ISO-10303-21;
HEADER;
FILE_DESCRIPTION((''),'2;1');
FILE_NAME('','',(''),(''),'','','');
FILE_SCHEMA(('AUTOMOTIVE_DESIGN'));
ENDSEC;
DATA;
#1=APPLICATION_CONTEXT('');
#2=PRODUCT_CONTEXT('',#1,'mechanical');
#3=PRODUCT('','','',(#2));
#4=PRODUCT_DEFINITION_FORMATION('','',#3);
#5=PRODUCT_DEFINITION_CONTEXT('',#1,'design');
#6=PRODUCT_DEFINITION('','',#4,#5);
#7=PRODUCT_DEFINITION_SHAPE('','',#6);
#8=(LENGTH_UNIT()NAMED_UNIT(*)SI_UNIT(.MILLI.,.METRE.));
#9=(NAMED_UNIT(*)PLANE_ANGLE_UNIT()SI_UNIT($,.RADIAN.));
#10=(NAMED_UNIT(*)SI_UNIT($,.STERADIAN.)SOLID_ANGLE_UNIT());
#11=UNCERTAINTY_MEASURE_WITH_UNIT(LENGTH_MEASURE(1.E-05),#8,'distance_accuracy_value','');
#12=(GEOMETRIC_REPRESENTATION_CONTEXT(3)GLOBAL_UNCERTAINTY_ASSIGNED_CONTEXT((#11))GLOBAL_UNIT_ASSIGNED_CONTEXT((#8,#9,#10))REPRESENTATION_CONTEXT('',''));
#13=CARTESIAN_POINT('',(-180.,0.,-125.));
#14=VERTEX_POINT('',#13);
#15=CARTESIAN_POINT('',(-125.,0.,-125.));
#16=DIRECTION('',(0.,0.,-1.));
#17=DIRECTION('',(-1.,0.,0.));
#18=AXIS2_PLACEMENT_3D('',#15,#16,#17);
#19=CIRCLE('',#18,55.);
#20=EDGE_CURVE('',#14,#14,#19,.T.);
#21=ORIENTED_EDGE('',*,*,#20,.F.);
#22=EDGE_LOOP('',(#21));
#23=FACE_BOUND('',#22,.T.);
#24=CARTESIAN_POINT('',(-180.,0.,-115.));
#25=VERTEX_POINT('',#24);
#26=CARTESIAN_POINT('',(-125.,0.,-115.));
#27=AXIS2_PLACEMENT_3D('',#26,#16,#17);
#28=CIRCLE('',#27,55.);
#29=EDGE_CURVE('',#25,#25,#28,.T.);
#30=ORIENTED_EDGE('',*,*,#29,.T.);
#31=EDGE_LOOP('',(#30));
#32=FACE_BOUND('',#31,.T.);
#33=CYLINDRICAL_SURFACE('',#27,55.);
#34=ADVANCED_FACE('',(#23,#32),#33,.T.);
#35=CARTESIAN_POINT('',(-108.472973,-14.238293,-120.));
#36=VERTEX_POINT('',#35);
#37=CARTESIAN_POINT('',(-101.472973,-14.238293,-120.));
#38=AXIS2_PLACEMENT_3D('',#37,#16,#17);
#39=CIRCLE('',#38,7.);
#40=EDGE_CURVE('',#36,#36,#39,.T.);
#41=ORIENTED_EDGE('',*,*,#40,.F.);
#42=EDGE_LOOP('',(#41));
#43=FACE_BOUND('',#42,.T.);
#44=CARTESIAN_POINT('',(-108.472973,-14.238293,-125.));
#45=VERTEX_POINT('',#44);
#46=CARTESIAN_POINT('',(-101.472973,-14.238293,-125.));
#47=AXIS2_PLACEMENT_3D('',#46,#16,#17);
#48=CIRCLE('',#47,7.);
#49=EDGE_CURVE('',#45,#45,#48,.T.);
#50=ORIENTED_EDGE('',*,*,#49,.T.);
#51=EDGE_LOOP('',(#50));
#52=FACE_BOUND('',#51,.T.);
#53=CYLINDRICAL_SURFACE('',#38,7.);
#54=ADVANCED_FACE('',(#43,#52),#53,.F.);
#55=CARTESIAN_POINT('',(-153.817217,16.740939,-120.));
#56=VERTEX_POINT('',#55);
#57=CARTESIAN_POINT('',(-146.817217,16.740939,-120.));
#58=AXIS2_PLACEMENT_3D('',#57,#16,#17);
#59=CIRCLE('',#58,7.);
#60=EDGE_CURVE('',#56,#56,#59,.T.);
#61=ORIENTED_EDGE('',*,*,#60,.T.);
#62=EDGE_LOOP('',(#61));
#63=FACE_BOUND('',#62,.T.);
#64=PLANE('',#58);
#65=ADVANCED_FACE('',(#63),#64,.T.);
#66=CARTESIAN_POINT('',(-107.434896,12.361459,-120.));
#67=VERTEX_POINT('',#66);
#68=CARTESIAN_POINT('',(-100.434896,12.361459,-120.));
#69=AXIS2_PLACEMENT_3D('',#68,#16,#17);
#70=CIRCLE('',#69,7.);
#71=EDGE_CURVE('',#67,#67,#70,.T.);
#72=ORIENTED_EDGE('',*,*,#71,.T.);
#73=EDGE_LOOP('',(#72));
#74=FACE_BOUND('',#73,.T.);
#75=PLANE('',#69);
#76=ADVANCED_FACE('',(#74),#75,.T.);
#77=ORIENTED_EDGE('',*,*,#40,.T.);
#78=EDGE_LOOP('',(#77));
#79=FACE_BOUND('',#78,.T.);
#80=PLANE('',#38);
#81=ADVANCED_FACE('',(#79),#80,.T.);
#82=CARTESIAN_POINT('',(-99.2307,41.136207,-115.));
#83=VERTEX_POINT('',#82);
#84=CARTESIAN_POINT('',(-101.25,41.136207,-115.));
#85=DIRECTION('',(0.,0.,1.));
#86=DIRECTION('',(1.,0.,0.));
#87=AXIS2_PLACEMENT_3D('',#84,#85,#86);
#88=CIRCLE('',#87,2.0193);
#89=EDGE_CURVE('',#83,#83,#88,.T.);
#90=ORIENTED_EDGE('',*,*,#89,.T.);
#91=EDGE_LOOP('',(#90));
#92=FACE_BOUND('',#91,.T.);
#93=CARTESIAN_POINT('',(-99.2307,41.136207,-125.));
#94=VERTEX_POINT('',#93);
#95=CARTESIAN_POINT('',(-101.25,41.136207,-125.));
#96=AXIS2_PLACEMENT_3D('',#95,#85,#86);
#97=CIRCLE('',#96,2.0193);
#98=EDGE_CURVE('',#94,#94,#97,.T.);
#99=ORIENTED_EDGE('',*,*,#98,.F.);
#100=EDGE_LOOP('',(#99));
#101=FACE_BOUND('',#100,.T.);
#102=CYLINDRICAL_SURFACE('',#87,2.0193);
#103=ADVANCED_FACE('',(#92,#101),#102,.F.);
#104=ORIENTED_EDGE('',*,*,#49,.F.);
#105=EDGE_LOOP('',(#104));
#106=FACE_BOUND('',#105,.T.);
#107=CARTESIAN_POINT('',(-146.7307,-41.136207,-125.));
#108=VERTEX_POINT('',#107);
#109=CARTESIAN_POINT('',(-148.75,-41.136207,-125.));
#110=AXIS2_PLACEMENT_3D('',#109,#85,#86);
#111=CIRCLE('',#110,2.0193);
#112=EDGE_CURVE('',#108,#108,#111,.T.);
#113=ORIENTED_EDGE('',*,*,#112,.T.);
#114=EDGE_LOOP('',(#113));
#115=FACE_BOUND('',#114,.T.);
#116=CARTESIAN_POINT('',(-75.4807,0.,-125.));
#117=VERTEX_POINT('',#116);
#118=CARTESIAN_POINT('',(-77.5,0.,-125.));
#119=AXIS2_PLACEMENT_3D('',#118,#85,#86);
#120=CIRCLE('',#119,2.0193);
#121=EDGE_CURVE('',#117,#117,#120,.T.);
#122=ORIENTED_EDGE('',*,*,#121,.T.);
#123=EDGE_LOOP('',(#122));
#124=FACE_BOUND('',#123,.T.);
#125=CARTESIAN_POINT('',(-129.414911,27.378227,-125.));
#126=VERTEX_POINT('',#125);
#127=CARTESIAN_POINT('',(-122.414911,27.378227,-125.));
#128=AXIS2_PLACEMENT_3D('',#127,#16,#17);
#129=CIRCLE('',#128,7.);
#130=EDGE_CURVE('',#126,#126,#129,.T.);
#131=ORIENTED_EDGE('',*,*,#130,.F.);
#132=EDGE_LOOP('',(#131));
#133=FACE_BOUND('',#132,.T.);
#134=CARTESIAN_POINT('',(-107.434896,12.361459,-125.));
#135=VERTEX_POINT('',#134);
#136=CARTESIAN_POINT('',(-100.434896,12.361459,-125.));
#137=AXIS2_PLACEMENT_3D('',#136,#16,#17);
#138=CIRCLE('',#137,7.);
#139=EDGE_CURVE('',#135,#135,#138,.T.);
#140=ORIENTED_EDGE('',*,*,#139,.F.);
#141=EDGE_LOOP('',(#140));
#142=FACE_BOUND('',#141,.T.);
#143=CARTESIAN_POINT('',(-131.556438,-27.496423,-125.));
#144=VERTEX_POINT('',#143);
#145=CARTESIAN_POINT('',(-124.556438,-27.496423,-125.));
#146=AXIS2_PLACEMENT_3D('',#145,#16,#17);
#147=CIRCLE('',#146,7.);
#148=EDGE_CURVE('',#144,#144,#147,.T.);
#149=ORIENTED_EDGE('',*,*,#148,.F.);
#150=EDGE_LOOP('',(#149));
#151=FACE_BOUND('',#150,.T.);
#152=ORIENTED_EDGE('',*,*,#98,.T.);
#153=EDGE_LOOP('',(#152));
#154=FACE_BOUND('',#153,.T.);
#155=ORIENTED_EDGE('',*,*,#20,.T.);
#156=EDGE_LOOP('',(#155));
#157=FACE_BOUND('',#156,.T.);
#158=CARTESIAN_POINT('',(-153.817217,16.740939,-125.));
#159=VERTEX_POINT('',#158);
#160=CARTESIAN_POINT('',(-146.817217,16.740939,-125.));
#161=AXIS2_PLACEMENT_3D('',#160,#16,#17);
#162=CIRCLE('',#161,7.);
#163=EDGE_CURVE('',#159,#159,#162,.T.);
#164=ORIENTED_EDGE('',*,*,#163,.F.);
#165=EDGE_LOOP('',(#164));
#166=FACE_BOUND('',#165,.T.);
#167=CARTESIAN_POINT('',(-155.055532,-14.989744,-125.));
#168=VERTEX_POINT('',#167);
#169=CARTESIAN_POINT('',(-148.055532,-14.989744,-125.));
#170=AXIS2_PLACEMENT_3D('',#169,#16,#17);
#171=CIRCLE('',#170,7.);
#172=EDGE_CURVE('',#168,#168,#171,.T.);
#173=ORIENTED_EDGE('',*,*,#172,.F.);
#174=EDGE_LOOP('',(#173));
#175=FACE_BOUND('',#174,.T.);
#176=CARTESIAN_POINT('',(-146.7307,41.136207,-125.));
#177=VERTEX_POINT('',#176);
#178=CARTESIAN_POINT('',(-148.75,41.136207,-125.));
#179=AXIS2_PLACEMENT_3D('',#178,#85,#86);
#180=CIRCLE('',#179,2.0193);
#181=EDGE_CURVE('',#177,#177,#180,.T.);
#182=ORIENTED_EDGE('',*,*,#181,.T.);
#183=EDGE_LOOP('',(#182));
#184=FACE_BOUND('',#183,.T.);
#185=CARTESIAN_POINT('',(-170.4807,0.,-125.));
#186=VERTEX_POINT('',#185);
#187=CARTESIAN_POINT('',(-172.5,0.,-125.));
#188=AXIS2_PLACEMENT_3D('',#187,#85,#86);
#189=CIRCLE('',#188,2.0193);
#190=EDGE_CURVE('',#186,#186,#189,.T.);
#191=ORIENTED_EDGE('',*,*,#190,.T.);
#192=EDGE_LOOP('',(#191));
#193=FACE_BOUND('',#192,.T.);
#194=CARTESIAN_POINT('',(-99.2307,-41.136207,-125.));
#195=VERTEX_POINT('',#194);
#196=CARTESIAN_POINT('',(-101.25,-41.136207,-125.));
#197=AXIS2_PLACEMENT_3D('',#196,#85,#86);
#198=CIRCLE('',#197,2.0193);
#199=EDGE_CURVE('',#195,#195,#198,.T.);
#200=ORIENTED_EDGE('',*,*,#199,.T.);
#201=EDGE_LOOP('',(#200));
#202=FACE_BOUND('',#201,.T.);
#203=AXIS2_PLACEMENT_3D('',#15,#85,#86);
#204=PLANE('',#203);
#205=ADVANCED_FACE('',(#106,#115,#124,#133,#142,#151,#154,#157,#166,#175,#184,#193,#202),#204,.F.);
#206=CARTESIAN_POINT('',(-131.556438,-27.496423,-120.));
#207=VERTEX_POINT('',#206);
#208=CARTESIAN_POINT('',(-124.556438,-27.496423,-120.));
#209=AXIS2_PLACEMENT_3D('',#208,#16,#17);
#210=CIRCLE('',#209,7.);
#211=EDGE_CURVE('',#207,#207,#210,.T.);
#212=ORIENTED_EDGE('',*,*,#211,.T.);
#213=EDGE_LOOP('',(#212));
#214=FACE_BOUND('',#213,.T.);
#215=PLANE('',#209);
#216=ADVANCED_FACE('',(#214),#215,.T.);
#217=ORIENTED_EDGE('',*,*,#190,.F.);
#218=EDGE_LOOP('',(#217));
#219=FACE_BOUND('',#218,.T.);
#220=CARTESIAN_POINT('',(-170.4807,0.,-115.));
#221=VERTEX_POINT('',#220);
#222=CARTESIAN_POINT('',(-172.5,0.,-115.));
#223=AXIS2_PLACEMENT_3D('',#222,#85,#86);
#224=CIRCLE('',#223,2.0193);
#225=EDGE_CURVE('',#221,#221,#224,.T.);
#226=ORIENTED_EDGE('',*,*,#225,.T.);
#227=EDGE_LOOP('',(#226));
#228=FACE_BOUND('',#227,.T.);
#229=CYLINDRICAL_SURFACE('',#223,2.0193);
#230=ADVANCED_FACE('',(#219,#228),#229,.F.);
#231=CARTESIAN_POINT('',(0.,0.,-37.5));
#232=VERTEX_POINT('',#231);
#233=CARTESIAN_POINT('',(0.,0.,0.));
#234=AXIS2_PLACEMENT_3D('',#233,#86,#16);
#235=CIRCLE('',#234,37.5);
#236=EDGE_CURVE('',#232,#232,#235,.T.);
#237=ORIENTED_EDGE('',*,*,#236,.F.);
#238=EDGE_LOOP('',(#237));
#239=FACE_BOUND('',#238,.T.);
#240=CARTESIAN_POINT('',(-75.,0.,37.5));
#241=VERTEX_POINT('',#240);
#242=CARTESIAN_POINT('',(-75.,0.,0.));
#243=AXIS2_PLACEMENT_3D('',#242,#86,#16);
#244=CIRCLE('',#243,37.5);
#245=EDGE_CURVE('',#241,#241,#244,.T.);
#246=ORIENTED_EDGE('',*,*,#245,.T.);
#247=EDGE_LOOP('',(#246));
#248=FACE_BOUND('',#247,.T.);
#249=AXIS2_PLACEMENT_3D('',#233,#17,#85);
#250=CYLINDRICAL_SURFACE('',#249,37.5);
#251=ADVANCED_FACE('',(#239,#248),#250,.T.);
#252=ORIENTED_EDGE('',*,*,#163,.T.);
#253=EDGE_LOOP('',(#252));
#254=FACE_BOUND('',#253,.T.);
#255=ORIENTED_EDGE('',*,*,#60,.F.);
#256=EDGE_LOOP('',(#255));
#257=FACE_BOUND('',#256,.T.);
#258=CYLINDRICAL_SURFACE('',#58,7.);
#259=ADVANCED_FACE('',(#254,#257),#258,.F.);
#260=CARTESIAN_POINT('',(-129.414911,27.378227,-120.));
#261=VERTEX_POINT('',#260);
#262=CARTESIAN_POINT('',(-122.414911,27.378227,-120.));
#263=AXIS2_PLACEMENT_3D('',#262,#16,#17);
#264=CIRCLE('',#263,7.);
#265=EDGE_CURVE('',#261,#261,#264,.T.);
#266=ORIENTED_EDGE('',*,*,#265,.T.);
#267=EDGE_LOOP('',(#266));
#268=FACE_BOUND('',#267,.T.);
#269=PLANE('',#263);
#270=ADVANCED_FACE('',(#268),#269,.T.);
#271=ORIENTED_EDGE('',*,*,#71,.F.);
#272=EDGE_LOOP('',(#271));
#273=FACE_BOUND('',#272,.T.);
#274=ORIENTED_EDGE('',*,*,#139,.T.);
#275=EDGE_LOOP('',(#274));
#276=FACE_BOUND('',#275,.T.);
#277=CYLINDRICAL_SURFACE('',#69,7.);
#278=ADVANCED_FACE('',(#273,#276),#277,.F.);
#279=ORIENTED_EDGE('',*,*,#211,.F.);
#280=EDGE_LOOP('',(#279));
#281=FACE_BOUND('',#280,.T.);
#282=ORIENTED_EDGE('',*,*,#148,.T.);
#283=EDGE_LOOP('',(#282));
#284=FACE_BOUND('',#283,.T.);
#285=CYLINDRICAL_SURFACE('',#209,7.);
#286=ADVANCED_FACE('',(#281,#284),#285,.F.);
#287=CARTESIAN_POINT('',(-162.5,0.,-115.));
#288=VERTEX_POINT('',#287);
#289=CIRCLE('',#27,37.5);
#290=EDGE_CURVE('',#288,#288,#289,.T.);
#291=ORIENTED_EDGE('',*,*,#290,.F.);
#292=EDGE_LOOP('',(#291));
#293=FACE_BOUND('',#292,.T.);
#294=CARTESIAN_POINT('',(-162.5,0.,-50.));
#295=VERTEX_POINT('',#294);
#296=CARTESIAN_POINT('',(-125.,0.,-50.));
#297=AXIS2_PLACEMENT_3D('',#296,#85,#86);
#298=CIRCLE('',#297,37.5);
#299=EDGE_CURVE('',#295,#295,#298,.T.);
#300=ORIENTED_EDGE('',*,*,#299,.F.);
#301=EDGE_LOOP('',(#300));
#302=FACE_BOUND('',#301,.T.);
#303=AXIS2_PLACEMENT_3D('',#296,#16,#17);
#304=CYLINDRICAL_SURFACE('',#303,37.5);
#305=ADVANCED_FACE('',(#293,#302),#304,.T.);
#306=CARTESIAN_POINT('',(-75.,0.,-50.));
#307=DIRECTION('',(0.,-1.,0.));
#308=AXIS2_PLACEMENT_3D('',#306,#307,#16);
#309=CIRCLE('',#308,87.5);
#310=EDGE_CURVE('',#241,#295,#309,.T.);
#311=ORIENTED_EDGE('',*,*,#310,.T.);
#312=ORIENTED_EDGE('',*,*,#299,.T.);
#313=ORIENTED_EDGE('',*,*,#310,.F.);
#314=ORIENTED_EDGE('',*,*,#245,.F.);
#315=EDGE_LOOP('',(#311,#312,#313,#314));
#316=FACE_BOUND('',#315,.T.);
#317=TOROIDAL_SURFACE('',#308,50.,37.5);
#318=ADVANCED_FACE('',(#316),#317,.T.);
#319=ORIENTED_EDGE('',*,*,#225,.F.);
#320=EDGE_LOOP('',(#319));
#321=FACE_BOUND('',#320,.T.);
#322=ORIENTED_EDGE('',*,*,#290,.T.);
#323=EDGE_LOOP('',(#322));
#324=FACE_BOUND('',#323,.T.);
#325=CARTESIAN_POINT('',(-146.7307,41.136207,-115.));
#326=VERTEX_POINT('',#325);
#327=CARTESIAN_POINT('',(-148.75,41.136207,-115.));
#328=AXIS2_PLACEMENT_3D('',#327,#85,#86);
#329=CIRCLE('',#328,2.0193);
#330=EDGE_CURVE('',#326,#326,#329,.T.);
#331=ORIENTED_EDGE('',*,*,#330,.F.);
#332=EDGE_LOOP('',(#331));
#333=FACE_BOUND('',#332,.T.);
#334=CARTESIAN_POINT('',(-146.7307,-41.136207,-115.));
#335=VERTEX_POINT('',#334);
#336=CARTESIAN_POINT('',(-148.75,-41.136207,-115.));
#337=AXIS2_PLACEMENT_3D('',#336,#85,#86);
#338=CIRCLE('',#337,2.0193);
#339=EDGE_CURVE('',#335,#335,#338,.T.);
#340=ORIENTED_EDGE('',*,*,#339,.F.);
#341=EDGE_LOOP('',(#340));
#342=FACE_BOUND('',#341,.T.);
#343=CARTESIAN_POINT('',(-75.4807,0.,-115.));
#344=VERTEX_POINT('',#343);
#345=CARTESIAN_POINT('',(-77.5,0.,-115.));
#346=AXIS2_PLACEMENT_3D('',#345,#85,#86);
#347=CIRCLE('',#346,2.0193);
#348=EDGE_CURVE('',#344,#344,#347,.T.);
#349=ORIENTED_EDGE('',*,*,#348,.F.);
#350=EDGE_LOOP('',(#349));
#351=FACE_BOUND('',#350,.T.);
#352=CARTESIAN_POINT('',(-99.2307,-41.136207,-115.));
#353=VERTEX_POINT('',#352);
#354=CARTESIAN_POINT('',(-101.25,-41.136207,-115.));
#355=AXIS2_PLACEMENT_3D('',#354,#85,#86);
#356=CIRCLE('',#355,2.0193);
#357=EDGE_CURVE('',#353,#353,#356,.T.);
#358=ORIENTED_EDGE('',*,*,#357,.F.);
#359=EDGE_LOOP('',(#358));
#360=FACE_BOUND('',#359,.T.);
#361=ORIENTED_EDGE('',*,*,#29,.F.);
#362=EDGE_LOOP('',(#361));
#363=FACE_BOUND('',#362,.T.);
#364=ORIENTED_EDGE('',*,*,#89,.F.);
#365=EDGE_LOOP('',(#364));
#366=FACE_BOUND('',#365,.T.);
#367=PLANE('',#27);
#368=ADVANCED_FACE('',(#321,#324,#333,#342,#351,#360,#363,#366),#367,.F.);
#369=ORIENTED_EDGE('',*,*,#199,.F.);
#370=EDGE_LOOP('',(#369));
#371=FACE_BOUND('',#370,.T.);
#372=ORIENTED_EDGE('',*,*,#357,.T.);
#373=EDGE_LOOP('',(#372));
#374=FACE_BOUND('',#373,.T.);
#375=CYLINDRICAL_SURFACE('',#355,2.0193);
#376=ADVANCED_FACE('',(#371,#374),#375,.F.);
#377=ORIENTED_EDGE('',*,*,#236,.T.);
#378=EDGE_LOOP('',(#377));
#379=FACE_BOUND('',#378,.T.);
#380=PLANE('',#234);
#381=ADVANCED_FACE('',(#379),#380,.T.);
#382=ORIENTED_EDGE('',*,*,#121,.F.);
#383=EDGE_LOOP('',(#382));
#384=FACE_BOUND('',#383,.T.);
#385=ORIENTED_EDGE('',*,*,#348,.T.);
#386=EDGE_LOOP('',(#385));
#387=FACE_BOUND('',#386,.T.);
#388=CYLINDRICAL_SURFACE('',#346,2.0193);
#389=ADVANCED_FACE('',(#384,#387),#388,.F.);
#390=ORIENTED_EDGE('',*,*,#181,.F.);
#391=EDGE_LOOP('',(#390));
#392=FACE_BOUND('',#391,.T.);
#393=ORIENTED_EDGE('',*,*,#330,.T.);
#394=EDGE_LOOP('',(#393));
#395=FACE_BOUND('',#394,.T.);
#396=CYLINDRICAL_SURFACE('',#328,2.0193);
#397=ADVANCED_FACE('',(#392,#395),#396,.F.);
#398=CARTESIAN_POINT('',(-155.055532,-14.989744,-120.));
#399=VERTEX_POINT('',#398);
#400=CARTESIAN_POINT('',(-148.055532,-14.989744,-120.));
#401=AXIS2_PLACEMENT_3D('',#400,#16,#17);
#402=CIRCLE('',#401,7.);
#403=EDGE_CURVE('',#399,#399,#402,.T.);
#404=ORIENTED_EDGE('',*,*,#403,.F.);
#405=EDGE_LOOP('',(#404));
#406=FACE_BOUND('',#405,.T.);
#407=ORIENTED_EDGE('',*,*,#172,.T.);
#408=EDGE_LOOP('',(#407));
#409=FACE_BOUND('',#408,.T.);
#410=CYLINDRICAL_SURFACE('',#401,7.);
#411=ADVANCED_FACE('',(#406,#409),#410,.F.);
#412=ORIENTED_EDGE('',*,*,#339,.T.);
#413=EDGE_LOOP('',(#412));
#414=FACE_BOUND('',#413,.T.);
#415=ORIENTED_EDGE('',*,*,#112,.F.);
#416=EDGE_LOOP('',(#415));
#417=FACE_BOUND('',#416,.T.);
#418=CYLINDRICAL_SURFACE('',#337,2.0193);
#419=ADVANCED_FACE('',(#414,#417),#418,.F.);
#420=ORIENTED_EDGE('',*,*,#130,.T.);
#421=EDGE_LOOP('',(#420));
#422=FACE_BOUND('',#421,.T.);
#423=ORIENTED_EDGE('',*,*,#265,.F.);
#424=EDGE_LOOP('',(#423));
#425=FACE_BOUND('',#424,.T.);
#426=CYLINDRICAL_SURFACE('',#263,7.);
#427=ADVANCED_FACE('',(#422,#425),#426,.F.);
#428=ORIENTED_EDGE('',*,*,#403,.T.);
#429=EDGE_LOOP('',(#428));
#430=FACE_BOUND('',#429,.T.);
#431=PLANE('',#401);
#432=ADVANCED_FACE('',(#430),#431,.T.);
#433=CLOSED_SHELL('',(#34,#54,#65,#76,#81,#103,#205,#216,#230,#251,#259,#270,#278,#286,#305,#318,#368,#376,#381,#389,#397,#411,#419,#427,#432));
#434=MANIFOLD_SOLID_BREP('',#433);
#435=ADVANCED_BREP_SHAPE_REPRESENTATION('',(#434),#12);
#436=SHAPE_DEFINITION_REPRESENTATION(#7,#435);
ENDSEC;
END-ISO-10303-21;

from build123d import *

# Parameters (mm, degrees)
SWEEP1_PROFILE_R               = 37.5
SKETCH3_R                      = 55
BOSS_EXTRUDE1_DEPTH            = 10
TAP_DRILL_FOR_10_32_TAP1_D     = 4.0386
TAP_DRILL_FOR_10_32_TAP1_DEPTH = 10
SKETCH11_R                     = 7
CUT_EXTRUDE1_DEPTH             = 5


with BuildPart() as part:
    # Sweep1: sweep along a path in Sketch1
    with BuildLine(Plane(origin=(0, 0, 0), x_dir=(1, 0, 0), z_dir=(0, 1, 0))) as sweep1_path:
        Line((0, 0), (-75, 0))
        ThreePointArc((-75, 0), (-110.355339059, 14.644660941), (-125, 50))
        Line((-125, 50), (-125, 125))
    # Sweep1 profile (on start of the path) → Sweep1 (sweep)
    with BuildSketch(Plane(origin=(0, 0, 0), x_dir=(0, 0, -1), z_dir=(-1, 0, 0))):
        Circle(SWEEP1_PROFILE_R)
    sweep(path=sweep1_path.line)

    # Sketch3 → Boss-Extrude1 (add)
    with BuildSketch(Plane(origin=(0, 0, -125), x_dir=(-1, 0, 0), z_dir=(0, 0, -1))):
        with Locations((125, 0)):
            Circle(SKETCH3_R)
    extrude(amount=-BOSS_EXTRUDE1_DEPTH)

    # Tap Drill for #10-32 Tap1
    with Locations(Plane.XY.offset(-115)):
        with Locations((-148.75, 41.13620668), (-172.5, 0), (-148.75, -41.13620668), (-101.25, -41.13620668), (-77.5, 0), (-101.25, 41.13620668)):
            Hole(TAP_DRILL_FOR_10_32_TAP1_D / 2, depth=TAP_DRILL_FOR_10_32_TAP1_DEPTH)

    # Sketch11 → Cut-Extrude1 (cut)
    with BuildSketch(Plane(origin=(0, 0, -125), x_dir=(-1, 0, 0), z_dir=(0, 0, -1))):
        with Locations((146.817216858, 16.740939298)):
            Circle(SKETCH11_R)
        with Locations((122.414911455, 27.378227065)):
            Circle(SKETCH11_R)
        with Locations((100.434896061, 12.361458995)):
            Circle(SKETCH11_R)
        with Locations((101.47297262, -14.238292828)):
            Circle(SKETCH11_R)
        with Locations((124.556438483, -27.496422552)):
            Circle(SKETCH11_R)
        with Locations((148.055532132, -14.989744431)):
            Circle(SKETCH11_R)
    extrude(amount=-CUT_EXTRUDE1_DEPTH, mode=Mode.SUBTRACT)


solid = part.part
